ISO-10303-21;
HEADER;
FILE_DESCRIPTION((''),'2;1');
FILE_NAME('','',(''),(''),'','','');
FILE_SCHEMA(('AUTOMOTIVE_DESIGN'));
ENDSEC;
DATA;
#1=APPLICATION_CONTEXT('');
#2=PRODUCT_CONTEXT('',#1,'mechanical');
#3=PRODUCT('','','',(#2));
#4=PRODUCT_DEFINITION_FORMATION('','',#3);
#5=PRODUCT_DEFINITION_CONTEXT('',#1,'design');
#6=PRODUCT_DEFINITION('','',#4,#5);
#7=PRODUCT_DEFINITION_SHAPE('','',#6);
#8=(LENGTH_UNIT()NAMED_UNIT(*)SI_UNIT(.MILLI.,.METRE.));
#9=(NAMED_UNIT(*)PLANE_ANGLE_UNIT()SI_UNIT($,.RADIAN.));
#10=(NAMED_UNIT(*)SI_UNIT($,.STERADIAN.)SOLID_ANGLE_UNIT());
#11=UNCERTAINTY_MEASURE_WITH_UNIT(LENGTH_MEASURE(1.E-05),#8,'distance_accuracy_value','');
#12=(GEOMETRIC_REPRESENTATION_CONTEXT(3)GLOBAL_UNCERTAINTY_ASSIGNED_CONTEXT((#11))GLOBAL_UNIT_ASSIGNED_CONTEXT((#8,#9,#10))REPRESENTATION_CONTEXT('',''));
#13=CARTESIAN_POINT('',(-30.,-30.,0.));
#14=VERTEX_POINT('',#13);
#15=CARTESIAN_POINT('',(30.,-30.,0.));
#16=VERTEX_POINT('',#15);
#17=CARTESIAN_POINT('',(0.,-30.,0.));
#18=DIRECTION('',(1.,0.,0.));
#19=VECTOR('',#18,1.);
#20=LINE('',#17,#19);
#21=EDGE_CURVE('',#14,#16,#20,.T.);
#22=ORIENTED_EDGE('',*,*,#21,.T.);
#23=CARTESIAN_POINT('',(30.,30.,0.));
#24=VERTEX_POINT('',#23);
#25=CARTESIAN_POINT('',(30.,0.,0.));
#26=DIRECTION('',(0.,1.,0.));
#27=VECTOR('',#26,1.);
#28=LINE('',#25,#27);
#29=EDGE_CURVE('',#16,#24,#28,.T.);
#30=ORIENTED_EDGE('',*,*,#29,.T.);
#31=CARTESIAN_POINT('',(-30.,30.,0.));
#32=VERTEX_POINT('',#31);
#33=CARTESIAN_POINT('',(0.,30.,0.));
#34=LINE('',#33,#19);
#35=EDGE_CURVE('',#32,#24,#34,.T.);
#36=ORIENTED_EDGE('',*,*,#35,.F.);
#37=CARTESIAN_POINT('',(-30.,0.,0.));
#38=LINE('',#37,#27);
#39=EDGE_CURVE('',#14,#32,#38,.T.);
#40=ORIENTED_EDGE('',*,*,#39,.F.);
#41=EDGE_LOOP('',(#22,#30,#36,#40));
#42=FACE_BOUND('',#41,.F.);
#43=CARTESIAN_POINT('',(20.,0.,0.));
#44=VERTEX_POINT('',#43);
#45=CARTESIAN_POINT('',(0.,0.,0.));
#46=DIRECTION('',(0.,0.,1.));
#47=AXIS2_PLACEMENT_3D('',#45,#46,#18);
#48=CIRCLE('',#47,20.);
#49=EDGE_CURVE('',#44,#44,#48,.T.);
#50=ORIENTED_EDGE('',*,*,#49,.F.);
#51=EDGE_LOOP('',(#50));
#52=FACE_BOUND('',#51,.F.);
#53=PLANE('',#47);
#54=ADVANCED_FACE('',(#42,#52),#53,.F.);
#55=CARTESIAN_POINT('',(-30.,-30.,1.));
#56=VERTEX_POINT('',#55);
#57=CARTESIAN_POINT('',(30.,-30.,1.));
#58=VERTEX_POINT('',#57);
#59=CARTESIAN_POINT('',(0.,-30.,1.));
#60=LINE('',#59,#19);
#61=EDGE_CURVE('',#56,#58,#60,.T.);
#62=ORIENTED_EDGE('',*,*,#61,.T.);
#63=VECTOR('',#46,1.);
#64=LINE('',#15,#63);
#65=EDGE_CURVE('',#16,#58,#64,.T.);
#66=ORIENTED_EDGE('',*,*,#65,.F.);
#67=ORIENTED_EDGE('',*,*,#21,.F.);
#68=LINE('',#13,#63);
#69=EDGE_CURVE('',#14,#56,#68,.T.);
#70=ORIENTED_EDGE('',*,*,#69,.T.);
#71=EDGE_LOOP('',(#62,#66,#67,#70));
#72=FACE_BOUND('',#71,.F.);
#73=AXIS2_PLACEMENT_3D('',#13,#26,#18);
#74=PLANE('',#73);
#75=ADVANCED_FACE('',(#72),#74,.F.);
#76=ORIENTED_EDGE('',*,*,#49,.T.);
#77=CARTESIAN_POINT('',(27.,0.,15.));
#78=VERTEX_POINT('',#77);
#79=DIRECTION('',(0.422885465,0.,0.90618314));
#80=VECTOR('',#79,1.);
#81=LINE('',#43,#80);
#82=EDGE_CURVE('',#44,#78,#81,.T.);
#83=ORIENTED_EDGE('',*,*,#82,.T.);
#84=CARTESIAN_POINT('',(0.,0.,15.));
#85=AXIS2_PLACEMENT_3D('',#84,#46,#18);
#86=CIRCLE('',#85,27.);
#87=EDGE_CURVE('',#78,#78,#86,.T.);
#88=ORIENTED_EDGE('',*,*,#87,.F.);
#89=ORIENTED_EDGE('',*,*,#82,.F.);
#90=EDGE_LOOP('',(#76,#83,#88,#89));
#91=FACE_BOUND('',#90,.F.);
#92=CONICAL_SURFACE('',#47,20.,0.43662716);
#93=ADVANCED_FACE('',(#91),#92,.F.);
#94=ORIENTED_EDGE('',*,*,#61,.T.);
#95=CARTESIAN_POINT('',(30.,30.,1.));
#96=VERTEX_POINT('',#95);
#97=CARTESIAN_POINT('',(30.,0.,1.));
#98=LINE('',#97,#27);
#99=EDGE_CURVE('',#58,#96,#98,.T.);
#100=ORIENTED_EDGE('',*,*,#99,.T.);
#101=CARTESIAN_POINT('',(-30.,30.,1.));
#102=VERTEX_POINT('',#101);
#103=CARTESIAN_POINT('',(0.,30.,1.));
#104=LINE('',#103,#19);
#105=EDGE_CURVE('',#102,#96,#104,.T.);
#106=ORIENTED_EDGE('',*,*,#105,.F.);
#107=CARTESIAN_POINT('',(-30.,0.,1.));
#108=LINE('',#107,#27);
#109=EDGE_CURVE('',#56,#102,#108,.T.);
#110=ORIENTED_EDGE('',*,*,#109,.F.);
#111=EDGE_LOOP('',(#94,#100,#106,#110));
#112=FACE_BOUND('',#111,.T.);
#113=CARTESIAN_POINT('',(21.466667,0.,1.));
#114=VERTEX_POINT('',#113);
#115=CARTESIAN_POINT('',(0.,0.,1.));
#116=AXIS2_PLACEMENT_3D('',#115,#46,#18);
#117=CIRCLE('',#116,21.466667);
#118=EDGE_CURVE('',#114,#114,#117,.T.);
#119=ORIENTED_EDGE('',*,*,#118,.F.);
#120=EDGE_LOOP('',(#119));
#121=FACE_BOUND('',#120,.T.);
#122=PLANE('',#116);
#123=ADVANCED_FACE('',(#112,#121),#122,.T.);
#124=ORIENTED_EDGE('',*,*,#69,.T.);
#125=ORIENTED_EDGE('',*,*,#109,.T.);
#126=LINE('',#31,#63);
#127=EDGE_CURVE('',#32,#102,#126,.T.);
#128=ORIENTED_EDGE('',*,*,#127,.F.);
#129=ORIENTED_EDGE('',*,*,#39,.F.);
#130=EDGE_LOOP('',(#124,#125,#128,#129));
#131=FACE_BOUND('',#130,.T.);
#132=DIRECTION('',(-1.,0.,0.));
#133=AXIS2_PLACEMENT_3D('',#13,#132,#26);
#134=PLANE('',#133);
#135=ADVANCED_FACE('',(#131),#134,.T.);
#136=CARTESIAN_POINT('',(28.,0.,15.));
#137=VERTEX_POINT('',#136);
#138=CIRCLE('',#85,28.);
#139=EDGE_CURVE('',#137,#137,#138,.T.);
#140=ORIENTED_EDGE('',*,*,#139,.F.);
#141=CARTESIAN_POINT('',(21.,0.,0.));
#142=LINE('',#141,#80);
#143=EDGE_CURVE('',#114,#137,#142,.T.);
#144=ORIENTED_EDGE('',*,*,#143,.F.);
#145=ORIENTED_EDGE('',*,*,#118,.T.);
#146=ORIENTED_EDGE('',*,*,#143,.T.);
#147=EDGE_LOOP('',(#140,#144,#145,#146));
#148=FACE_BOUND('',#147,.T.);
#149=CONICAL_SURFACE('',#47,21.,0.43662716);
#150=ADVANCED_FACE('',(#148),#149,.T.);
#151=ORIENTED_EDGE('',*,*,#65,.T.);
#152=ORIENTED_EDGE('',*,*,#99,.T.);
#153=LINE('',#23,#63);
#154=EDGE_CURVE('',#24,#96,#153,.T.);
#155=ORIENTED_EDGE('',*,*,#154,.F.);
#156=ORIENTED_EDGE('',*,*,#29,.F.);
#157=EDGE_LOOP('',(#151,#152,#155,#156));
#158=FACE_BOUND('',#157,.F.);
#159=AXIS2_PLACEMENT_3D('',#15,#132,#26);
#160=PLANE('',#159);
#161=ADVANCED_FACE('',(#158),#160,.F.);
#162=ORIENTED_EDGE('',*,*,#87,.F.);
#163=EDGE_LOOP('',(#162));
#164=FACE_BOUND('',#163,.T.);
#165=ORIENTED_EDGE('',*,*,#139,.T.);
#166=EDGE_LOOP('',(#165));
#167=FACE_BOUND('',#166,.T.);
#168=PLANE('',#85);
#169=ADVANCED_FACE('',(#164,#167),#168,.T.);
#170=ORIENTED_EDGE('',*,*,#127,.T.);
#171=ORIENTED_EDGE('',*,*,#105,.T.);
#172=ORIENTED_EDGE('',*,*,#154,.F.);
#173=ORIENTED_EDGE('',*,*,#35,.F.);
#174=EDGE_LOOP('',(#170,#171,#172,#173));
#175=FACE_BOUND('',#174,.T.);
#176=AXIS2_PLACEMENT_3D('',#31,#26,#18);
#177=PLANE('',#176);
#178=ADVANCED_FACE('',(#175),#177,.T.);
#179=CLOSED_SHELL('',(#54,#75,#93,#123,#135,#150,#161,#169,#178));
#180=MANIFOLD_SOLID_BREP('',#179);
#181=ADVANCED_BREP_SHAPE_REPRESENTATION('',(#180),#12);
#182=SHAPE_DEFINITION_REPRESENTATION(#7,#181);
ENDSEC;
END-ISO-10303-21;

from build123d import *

# Parameters (mm, degrees)
SKETCH_W  = 60
SKETCH_H  = 60
SKETCH_R  = 21
PAD_DEPTH = 1


with BuildPart() as pad:
    # Sketch → Pad (new body)
    with BuildSketch(Plane.XY):
        Rectangle(SKETCH_W, SKETCH_H)
        Circle(SKETCH_R, mode=Mode.SUBTRACT)
    extrude(amount=PAD_DEPTH)


with BuildPart() as cone:
    # Cone → Cone (revolve)
    with BuildSketch(Plane.XZ):
        Polygon((0, 0), (20, 0), (27, 15), (0, 15), align=None)
    revolve(axis=Axis((0, 0, 0), (0, 0, 1)))


with BuildPart() as fusion:
    # Cone001 → Cone001 (revolve)
    with BuildSketch(Plane.XZ):
        Polygon((0, 0), (21, 0), (28, 15), (0, 15), align=None)
    revolve(axis=Axis((0, 0, 0), (0, 0, 1)))

    # Cut: cut Cone
    add(cone.part, mode=Mode.SUBTRACT)

    # Fusion: union Pad
    add(pad.part)


solid = fusion.part
